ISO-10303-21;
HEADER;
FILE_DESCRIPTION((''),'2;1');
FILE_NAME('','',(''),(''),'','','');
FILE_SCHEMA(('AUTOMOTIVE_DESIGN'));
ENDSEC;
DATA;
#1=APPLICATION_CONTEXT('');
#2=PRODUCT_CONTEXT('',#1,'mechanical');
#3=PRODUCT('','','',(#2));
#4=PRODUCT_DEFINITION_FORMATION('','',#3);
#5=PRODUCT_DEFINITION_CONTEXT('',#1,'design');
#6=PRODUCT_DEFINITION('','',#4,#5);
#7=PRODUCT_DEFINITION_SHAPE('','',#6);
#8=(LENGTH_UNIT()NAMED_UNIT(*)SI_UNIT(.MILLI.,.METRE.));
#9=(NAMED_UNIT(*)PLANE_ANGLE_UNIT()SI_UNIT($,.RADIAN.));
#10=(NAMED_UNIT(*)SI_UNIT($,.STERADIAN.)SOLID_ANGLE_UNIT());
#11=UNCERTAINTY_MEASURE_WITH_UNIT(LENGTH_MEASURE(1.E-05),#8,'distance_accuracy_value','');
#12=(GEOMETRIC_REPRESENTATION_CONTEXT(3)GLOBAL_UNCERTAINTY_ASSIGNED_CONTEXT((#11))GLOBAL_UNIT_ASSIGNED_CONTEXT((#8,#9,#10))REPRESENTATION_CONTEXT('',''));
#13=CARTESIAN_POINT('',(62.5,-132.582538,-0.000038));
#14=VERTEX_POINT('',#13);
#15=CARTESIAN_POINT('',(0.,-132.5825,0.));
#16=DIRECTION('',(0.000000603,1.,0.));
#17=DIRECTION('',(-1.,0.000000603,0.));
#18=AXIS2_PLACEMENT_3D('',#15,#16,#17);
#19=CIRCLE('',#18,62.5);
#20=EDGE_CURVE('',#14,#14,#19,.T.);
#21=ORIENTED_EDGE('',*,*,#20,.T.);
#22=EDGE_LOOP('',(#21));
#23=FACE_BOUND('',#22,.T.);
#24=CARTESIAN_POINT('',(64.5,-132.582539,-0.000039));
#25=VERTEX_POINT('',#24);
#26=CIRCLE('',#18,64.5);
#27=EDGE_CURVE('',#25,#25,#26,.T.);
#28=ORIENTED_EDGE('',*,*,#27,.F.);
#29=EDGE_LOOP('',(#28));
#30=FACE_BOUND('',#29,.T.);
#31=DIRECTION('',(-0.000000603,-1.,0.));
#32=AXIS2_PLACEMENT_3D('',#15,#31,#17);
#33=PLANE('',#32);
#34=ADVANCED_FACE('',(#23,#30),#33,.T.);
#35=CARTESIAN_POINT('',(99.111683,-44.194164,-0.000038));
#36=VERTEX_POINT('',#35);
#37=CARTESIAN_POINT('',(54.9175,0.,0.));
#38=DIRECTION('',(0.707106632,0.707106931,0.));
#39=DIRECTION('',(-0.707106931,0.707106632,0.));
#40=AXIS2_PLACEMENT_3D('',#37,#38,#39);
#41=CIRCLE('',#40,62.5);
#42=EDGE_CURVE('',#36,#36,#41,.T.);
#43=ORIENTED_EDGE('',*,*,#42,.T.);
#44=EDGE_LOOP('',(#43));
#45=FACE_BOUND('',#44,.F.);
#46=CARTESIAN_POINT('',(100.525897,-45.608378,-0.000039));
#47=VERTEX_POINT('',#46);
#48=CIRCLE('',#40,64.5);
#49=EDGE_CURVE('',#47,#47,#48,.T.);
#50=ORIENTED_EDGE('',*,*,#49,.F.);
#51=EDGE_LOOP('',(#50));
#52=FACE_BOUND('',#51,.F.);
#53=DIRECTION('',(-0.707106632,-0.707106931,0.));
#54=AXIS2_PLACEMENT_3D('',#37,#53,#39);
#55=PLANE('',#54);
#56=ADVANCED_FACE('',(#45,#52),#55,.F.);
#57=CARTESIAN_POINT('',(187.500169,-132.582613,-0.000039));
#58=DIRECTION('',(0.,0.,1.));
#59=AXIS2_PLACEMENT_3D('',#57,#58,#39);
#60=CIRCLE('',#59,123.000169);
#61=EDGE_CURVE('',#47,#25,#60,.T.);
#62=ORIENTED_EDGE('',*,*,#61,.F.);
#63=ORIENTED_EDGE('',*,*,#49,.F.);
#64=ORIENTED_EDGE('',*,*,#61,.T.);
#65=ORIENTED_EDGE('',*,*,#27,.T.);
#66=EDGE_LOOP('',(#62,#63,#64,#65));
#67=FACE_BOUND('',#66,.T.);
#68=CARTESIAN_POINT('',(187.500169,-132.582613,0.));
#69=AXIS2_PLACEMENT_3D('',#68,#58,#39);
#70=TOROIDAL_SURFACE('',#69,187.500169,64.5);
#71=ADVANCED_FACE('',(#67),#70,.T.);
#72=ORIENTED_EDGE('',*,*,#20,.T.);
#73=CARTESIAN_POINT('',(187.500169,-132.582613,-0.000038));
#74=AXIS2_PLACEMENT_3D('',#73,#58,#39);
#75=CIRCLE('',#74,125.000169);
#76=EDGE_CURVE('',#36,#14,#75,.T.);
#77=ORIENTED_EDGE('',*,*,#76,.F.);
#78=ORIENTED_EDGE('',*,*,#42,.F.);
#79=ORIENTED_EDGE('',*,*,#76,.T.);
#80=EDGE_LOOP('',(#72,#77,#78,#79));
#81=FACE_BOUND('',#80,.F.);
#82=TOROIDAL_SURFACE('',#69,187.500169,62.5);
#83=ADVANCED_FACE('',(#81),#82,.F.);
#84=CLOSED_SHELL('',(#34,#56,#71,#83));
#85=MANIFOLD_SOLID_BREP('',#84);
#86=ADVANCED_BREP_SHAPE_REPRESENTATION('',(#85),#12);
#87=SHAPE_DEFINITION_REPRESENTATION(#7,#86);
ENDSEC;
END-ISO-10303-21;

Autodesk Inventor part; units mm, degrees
ref_plane "YZ Plane" through (0, 0, 0) normal (1, 0, 0) x (0, 1, 0)
ref_plane "XZ Plane" through (0, 0, 0) normal (0, 1, 0) x (-1, 0, 0)
sketch "Szkic6" plane through (0, 0, 0) normal (0, 0, 1) x (1, 0, 0)
  line L0 (-29.6067, 0) -> (35.2678, 0) construction
  line L1 (0, 42.3419) -> (0, -58.3726) construction
  arc A0 (54.9175, 0) -> (0, -132.5825) centre (187.5, -132.5825) ccw
  line L2 (0, -132.5825) -> (187.5, -132.5825) construction
  line L3 (187.5, -132.5825) -> (141.1611, -86.2436) construction
  line L4 (54.9175, 0) -> (54.9175, 0)
  line L5 (0, -132.5825) -> (0, -132.5825)
  point P0 (0, 0)
  dimension "d24" = 187.5
  dimension "d31" = 45
  dimension "d36" = 0
  dimension "d37" = 0
ref_plane "Płaszczyzna konstrukcyjna2" through (0, -132.5825, 0) normal (0, -1, 0) x (1, 0, 0)
sketch "Szkic8" plane through (0, -132.5825, 0) normal (0, -1, 0) x (1, 0, 0)
  circle A0 centre (0, 0) radius 64.5
  circle A1 centre (0, 0) radius 62.5
  dimension "d32" = 129
  dimension "d33" = 2
sweep "Przeciągnięcie2" add profiles "Szkic8" path "Szkic6"
equation "\"d32\" = OD"
equation "\"d33\" = THK"
equation "\"d24\" = R"
equation "\"d31\" = KAT"
equation "\"SzerokośćGięciaPodcięcia\" = Grubość"
equation "\"RozmiarPodcięciaNarożnika\" = 4 * Grubość"
equation "\"PromieńPrzejścia\" = PromieńGięcia"
equation "\"Rozmiar_promienia_Jacobiego\" = PromieńGięcia"
equation "\"Wielk_odstępu\" = Grubość"
equation "\"d2\" = PromieńGięcia"
equation "\"d23\" = PromieńGięcia"
equation "\"R\" = 187.5"
equation "\"OD\" = 129"
equation "\"THK\" = 2"
equation "\"KAT\" = 45deg"
equation "\"PROSTKA\" = 0"
equation "\"Grubość\" = 1.5"
equation "\"PromieńGięcia\" = 3"
properties part number "Kolano 45° ø129x2 R187,5" material "304L"
